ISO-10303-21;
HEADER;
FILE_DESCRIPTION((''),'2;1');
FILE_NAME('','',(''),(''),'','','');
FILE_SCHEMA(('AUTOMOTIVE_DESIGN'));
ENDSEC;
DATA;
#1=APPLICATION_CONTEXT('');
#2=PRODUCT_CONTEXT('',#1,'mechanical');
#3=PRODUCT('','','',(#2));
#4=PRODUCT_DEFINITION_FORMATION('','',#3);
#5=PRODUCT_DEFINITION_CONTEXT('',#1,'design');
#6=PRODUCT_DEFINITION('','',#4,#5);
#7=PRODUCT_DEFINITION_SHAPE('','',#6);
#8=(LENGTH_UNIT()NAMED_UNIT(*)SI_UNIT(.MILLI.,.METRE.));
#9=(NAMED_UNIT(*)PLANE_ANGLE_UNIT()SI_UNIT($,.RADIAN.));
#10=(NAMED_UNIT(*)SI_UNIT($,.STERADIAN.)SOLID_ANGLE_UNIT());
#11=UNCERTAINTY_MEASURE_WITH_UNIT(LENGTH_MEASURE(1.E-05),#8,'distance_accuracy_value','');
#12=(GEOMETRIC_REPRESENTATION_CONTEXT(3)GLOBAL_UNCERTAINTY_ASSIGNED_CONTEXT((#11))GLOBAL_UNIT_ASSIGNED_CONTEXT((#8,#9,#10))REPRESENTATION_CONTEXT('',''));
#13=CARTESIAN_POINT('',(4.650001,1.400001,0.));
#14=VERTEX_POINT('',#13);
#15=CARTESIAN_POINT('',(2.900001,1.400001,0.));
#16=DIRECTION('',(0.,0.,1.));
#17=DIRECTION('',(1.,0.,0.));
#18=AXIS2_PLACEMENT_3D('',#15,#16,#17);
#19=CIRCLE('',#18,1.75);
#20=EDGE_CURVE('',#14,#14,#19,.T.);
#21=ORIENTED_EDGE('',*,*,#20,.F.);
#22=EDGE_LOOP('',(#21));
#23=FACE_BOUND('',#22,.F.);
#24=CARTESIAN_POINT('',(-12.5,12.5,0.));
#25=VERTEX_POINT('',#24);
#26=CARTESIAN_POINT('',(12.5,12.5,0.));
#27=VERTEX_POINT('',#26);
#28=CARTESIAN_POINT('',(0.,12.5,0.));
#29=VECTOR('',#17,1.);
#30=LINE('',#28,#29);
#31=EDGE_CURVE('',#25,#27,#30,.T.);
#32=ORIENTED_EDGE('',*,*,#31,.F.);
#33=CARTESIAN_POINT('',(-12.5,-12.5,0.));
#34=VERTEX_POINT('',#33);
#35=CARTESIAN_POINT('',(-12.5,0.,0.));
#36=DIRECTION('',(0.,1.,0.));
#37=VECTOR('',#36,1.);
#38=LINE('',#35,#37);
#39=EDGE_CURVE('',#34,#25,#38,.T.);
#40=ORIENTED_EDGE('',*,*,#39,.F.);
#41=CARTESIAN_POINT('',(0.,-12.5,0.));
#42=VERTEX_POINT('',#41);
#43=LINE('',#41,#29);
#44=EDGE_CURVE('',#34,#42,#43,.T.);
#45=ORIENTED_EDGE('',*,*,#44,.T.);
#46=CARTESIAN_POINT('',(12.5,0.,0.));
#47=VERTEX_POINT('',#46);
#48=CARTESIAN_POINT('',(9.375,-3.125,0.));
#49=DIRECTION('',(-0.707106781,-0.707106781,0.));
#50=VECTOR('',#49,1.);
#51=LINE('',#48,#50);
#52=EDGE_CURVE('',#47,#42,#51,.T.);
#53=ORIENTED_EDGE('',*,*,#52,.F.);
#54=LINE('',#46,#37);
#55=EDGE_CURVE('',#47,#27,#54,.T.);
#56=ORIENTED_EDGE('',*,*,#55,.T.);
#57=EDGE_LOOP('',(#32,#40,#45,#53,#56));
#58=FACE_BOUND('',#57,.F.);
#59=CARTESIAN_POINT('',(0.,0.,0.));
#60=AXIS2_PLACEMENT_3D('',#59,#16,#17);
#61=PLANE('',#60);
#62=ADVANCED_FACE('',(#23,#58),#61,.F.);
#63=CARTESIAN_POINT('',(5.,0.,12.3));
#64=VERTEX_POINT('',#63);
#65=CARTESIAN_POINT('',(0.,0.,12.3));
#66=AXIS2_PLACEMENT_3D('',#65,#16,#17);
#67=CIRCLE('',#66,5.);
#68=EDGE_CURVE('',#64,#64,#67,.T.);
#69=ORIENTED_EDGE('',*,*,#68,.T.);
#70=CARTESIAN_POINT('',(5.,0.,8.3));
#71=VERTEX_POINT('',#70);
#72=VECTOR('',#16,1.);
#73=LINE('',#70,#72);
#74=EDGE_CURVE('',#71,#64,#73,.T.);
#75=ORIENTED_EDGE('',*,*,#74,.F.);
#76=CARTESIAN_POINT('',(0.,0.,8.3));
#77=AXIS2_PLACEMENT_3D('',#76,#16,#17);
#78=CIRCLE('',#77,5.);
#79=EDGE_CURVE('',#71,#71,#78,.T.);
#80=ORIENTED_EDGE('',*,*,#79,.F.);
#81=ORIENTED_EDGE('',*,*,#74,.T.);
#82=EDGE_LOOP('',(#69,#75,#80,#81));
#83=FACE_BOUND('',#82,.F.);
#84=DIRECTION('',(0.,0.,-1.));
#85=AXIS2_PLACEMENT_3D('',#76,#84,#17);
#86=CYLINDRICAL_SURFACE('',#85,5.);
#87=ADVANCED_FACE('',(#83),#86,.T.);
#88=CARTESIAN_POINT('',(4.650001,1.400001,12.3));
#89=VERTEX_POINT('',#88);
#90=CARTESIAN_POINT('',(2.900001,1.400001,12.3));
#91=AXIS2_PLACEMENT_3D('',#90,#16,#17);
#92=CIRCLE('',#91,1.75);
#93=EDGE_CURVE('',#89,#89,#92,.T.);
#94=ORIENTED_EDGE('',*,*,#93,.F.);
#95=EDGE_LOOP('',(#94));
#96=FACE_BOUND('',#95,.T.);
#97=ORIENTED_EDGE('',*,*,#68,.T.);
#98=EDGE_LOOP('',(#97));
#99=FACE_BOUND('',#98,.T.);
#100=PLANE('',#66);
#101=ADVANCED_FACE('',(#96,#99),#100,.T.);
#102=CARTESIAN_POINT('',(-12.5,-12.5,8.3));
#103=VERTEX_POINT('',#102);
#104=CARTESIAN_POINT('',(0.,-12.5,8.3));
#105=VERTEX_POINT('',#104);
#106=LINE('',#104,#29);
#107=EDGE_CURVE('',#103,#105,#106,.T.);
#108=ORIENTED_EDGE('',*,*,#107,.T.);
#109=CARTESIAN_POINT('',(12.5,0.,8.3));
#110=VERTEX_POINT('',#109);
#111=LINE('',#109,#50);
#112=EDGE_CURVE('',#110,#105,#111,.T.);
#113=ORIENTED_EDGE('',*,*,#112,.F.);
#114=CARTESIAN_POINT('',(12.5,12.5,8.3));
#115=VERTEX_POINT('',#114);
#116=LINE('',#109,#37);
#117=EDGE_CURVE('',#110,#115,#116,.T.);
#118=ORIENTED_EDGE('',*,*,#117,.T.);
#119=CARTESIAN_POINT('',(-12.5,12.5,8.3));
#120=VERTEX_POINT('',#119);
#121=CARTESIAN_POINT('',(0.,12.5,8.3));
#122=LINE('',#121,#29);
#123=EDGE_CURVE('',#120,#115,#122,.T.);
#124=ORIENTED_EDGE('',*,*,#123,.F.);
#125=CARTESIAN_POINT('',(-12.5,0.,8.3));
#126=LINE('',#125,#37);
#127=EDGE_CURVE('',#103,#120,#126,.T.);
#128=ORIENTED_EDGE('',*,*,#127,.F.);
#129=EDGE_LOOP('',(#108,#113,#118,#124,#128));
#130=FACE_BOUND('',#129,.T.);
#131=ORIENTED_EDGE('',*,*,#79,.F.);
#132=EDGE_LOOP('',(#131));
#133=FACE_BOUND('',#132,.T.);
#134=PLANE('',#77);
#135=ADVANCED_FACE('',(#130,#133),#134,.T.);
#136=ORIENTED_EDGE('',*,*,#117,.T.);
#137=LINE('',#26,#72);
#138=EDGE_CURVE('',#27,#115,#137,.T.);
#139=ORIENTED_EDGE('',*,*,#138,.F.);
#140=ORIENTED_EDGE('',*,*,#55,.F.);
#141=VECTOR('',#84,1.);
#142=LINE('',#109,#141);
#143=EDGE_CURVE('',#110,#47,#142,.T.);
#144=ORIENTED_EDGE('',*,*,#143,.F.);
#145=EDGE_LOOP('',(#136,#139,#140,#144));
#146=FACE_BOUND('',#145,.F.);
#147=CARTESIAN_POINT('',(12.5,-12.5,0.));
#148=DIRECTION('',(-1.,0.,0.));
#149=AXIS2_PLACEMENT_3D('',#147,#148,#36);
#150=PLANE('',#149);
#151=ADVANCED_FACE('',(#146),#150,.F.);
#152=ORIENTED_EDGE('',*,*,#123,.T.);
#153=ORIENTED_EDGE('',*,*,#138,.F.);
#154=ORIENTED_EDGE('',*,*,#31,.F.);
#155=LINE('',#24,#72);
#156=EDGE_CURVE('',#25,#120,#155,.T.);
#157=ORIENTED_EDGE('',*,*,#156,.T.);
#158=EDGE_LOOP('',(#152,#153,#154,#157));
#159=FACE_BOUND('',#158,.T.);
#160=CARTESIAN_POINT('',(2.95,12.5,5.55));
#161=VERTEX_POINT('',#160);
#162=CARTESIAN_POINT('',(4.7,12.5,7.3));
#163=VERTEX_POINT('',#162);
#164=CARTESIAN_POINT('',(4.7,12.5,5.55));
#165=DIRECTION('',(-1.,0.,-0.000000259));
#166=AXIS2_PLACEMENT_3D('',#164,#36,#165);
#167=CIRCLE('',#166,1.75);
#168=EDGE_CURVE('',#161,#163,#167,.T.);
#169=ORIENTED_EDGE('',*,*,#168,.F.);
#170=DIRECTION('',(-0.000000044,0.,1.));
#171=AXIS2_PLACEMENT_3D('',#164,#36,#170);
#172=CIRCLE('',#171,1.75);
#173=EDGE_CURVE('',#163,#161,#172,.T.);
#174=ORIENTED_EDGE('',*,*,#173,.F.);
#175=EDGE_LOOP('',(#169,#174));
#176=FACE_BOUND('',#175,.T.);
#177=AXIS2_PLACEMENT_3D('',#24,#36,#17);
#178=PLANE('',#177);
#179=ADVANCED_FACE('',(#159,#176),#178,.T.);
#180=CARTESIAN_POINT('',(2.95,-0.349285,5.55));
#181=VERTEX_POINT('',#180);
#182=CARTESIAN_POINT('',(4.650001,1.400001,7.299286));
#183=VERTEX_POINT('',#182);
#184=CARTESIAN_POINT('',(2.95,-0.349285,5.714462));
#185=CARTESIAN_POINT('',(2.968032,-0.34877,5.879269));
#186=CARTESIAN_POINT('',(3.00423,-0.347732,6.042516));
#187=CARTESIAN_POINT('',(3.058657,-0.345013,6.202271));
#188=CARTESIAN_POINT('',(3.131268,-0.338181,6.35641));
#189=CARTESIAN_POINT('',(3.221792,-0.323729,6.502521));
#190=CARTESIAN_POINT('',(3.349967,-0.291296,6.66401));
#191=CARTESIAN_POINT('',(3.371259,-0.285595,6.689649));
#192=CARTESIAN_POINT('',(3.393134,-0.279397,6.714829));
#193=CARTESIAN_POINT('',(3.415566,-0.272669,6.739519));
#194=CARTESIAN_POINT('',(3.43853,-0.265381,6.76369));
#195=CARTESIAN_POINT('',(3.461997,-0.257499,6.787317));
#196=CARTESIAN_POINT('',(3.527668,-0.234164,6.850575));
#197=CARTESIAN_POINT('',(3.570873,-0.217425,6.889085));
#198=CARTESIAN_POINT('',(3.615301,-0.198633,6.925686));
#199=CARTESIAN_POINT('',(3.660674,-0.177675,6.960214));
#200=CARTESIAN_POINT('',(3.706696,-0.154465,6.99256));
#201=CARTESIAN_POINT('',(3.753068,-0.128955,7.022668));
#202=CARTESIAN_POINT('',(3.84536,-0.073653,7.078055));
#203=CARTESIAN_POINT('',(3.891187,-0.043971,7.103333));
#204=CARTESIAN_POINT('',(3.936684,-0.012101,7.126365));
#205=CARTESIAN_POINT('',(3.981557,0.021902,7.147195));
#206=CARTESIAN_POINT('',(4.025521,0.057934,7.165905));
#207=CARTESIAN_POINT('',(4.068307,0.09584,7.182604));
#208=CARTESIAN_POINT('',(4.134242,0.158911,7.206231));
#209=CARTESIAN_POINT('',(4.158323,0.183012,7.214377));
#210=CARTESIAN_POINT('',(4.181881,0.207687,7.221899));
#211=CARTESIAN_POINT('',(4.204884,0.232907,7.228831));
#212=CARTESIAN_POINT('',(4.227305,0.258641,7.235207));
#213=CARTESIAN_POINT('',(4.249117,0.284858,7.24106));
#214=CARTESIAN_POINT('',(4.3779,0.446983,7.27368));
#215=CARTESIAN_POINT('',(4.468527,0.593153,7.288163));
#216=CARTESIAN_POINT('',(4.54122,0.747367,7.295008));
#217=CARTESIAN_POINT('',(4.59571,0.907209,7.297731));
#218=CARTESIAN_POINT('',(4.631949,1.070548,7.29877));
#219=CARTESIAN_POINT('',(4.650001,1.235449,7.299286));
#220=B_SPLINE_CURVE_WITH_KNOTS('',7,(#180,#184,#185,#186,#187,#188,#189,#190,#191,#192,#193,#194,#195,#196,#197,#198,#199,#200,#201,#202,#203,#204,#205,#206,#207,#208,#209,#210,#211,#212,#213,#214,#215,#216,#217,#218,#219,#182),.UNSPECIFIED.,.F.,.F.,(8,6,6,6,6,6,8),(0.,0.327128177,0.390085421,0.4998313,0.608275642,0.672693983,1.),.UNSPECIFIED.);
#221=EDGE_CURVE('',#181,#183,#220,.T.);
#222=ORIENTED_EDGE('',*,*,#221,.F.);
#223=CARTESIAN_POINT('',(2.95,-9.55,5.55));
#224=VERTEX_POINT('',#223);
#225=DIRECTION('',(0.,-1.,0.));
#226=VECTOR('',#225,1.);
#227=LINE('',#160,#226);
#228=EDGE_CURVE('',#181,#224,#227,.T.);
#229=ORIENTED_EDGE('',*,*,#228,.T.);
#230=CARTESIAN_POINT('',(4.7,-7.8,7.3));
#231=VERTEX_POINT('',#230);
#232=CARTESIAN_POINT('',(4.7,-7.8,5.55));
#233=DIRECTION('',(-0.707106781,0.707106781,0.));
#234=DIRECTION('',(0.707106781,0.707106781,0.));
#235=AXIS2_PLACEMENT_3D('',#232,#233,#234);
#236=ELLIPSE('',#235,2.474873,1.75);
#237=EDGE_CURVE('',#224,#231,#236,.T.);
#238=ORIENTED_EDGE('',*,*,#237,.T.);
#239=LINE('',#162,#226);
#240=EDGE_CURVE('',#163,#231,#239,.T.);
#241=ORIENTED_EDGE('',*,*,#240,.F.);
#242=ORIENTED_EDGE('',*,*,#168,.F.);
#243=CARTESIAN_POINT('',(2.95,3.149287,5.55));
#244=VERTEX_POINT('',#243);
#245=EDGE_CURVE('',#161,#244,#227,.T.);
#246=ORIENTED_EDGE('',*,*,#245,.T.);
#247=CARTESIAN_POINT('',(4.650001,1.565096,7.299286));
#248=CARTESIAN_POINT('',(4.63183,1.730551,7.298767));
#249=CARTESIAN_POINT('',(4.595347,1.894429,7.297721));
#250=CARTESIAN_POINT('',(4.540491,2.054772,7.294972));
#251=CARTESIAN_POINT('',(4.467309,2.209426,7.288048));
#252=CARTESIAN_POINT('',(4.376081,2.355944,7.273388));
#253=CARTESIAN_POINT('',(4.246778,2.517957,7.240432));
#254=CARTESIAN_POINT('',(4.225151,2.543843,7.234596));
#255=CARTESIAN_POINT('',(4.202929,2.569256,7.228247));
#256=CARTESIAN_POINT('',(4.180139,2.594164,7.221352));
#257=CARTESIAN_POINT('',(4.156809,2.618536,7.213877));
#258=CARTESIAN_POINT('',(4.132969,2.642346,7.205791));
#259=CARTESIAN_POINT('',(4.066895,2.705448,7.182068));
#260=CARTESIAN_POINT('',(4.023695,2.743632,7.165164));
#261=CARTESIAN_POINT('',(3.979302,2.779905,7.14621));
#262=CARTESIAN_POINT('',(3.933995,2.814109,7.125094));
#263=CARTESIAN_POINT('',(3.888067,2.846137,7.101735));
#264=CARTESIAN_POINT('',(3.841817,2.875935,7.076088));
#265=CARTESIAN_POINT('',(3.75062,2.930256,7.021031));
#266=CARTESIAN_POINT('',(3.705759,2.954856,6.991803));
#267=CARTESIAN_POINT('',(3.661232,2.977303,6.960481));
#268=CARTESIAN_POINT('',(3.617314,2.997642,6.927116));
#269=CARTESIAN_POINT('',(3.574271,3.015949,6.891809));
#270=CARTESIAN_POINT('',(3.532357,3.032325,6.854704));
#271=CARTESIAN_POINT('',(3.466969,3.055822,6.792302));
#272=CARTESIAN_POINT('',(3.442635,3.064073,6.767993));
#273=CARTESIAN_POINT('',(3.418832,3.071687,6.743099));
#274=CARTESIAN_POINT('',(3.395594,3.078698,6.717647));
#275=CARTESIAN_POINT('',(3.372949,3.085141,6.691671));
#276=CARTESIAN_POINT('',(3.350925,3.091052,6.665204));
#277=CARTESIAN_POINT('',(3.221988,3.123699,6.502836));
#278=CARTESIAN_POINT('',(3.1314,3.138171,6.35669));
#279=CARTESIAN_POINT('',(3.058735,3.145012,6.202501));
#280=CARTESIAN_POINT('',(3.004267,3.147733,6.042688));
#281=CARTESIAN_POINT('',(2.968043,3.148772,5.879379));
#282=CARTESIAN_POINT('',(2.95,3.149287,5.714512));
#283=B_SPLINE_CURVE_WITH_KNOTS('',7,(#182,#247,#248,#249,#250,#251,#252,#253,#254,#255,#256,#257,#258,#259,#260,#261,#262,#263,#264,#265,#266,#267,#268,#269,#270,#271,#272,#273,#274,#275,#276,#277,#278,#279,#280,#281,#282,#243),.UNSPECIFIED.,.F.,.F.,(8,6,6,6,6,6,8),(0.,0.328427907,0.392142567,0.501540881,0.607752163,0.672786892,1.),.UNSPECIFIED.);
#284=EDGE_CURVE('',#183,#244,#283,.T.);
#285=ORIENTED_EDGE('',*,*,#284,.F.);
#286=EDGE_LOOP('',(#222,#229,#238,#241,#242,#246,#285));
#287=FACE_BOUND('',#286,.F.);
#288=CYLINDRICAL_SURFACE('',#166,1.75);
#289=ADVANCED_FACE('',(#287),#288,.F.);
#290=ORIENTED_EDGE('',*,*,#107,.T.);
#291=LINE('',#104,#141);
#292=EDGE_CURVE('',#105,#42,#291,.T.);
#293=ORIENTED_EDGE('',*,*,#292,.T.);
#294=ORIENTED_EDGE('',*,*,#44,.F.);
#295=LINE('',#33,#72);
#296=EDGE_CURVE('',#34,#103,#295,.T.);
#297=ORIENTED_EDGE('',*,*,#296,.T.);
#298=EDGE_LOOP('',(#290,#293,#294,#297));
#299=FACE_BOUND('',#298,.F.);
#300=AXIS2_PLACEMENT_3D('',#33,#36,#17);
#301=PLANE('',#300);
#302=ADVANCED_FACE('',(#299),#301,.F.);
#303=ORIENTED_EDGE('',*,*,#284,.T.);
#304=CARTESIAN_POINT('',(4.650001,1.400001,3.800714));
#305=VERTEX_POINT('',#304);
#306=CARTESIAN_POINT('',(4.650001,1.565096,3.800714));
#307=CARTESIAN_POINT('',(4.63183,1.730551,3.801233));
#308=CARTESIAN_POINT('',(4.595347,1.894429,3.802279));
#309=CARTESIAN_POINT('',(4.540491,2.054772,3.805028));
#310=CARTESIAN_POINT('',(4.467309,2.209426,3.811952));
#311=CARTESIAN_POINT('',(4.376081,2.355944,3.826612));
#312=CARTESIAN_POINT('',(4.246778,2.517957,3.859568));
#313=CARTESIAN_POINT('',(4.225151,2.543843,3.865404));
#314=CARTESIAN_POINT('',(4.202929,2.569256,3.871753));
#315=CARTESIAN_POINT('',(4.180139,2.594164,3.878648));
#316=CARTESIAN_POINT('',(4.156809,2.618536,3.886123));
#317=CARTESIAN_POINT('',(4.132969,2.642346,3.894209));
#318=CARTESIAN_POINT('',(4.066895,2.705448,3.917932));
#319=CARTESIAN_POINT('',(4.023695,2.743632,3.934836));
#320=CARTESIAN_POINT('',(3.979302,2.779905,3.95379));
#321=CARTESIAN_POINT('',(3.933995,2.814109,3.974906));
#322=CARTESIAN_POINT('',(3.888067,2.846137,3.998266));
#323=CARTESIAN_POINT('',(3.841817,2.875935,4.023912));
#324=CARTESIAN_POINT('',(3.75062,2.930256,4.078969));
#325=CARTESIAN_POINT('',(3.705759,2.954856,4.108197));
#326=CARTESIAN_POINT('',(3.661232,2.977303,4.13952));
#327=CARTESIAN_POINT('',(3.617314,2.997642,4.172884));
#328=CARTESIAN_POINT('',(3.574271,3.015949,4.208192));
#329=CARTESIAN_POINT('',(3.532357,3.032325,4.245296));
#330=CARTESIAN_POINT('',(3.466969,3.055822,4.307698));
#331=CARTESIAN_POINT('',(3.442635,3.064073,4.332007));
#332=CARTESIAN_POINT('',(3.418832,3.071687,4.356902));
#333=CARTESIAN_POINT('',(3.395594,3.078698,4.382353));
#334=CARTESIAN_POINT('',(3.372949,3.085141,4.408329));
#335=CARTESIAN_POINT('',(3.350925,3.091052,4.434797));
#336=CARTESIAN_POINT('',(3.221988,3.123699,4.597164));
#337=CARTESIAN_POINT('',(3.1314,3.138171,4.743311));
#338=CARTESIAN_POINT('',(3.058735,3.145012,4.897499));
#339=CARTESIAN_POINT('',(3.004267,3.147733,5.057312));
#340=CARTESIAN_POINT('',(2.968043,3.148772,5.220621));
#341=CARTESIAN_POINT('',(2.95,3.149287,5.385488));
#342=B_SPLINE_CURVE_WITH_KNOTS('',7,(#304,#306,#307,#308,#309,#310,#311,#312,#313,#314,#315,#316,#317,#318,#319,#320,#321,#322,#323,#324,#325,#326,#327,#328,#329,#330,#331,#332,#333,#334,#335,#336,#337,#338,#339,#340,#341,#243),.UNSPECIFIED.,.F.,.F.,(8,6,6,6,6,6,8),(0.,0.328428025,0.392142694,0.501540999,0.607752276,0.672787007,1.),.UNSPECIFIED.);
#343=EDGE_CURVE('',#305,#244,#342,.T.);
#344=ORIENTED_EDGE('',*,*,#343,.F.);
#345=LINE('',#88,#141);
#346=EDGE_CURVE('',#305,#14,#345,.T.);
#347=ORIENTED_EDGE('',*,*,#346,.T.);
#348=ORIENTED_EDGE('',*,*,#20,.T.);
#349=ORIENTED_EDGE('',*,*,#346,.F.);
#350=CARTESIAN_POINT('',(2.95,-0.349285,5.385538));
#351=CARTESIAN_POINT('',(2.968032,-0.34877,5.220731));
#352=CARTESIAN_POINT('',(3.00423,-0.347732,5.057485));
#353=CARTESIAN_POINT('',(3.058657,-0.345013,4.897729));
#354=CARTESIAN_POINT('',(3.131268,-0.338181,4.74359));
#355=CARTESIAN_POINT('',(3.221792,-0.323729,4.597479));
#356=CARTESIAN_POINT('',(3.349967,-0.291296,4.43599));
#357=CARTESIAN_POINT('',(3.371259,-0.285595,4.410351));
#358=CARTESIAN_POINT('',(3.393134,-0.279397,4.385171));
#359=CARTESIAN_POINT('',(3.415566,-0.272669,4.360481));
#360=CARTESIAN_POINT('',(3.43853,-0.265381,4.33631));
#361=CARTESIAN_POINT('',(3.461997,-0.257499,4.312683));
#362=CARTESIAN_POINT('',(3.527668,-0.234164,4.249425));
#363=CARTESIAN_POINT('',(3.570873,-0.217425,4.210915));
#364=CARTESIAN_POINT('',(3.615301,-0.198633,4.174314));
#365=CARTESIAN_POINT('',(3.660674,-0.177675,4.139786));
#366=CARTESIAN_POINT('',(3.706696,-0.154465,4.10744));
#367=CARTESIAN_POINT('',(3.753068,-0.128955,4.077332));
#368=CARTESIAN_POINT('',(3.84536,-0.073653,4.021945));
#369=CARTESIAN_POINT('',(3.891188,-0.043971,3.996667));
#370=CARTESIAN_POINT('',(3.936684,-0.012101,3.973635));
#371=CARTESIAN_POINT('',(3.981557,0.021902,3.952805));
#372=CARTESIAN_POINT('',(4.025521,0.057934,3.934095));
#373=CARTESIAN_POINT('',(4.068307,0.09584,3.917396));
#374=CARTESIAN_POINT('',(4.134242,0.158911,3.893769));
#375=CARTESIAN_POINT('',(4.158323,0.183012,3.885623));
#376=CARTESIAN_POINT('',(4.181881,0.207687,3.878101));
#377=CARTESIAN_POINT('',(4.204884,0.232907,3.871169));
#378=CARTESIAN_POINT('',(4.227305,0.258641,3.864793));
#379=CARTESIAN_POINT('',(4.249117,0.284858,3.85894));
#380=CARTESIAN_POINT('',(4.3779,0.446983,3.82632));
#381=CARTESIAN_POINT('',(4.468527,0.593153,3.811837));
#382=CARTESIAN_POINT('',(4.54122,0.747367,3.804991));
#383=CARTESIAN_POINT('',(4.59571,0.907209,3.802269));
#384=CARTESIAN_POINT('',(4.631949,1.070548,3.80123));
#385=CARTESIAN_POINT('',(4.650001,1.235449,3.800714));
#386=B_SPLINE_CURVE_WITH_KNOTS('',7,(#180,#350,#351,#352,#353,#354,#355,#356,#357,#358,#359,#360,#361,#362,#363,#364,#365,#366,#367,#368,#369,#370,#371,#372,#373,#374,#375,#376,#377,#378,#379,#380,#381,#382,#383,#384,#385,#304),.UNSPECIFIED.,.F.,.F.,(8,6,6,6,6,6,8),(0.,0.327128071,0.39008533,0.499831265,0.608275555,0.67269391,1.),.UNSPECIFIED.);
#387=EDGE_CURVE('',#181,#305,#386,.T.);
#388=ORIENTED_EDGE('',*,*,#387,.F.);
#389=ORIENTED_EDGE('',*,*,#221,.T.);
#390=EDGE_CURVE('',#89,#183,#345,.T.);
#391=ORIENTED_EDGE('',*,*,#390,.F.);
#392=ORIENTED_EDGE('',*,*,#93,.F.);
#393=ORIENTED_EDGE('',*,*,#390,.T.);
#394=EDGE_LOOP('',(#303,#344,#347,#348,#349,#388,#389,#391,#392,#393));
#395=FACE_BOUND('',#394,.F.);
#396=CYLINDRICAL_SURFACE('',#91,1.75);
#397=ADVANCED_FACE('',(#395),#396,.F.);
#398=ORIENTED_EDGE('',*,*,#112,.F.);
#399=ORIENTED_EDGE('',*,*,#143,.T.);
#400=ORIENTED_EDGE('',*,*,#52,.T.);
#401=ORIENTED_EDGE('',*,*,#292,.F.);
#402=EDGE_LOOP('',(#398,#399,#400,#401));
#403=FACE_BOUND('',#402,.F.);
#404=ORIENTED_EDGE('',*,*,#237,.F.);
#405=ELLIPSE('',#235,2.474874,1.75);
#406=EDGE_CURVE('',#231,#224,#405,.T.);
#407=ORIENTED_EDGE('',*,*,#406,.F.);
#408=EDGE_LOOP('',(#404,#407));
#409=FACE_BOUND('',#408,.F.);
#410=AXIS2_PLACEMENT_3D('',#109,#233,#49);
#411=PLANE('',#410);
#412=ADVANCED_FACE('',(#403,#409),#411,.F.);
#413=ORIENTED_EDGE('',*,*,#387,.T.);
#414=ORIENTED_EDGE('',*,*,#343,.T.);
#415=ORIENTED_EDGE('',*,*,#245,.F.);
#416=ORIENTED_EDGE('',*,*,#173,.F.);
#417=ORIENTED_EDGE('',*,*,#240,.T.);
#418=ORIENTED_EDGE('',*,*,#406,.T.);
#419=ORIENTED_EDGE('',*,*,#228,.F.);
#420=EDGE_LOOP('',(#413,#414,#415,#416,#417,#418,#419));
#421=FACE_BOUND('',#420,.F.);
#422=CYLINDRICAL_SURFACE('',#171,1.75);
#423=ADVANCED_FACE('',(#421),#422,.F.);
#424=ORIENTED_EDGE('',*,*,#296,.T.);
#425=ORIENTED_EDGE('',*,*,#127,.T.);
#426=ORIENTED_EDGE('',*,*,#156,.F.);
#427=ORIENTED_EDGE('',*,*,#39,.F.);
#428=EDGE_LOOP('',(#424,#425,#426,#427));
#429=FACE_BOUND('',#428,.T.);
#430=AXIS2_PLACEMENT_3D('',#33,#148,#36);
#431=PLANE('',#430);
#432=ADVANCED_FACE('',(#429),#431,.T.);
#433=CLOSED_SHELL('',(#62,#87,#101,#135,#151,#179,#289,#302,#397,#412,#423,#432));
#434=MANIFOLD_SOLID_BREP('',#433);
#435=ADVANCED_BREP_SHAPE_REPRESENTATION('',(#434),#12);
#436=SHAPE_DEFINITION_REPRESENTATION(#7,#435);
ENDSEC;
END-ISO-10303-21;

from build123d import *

# Parameters (mm, degrees)
F0_W     = 25
F0_H     = 25
F1_DEPTH = 8.3
F2_R     = 5
F3_DEPTH = 4
F5_DEPTH = 25
F6_R     = 1.75
F7_DEPTH = 25
F9_DEPTH = 25


with BuildPart() as f1:
    # F0 (on Top) → F1 (new body)
    with BuildSketch(Plane.XY):
        Rectangle(F0_W, F0_H)
    extrude(amount=F1_DEPTH)

    # F2 (on face) → F3 (join)
    with BuildSketch(Plane.XY.offset(8.3)):
        Circle(F2_R)
    extrude(amount=F3_DEPTH)

    # F4 (on face) → F5 (cut)
    with BuildSketch(Plane.XY.offset(8.3)):
        Polygon((12.5, -12.5), (12.5, 0), (0, -12.5), align=None)
    extrude(amount=-F5_DEPTH, mode=Mode.SUBTRACT)

    # F6 (on face) → F7 (cut)
    with BuildSketch(Plane.XY.offset(12.3)):
        with Locations((2.900001, 1.400001)):
            Circle(F6_R)
    extrude(amount=-F7_DEPTH, mode=Mode.SUBTRACT)

    # F8 (on face) → F9 (cut)
    with BuildSketch(Plane(origin=(0, 12.5, 0), x_dir=(-1, 0, 0), z_dir=(0, 1, 0))):
        with BuildLine():
            ThreePointArc((-4.7, 7.3), (-5.937437, 4.312563), (-2.95, 5.55))
            ThreePointArc((-2.95, 5.55), (-3.462563, 6.787437), (-4.7, 7.3))
        make_face()
    extrude(amount=-F9_DEPTH, mode=Mode.SUBTRACT)


solid = f1.part
